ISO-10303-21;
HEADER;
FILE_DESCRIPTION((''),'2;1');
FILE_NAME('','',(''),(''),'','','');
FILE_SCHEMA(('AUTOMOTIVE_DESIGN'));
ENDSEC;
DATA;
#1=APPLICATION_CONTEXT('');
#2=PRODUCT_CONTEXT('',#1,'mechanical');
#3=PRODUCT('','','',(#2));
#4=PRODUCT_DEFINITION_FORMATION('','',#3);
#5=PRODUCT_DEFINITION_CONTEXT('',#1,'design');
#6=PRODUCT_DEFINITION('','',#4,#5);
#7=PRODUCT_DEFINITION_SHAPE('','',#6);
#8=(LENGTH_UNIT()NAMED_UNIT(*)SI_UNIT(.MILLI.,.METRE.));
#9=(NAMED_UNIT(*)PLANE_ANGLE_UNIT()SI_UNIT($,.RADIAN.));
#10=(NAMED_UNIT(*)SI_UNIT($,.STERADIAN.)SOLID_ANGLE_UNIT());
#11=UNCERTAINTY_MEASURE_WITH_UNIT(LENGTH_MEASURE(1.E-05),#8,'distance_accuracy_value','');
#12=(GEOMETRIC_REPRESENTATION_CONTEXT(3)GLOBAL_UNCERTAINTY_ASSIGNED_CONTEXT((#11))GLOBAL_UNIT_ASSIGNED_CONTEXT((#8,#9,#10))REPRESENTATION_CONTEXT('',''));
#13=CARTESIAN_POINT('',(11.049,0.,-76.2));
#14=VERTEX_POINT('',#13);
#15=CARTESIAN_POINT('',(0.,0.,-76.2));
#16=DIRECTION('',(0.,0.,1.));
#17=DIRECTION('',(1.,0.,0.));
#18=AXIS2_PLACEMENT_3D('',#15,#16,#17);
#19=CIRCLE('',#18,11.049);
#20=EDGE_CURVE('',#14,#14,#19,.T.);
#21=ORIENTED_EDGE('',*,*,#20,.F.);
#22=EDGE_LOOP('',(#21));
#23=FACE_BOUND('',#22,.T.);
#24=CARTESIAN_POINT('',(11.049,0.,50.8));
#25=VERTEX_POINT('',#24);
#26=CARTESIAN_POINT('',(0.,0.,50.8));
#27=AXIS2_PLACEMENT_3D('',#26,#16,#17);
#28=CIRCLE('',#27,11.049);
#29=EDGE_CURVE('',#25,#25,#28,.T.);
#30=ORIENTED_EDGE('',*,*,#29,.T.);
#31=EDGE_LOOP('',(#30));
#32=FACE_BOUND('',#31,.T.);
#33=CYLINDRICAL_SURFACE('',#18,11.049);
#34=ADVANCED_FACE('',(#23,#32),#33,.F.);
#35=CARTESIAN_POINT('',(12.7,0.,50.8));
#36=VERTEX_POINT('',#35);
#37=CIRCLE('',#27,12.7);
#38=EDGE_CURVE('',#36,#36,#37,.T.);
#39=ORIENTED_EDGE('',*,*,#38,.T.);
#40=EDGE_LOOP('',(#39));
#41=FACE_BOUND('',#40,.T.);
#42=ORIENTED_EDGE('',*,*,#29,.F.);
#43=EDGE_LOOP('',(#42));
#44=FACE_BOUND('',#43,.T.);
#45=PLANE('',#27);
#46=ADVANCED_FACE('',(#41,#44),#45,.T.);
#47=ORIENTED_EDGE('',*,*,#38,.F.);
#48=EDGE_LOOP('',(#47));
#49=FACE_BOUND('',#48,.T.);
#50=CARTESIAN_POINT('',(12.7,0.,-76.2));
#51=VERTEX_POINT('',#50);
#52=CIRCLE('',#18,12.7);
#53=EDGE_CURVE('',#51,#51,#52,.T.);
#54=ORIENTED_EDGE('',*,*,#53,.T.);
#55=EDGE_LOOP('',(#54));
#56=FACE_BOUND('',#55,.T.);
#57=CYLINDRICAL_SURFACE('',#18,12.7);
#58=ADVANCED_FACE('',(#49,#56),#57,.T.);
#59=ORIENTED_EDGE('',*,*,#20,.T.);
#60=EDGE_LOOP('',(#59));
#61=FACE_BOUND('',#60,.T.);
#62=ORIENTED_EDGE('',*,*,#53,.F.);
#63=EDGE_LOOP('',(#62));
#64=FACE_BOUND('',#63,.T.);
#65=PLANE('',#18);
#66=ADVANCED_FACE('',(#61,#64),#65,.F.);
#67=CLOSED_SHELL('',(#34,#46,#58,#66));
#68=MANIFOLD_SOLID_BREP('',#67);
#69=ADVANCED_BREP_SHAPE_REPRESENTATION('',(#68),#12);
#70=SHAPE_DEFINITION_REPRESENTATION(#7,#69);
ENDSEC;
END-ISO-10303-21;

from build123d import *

# Parameters (mm, degrees)
BOSS_EXTRUDE1_DEPTH      = 50.8
BOSS_EXTRUDE1_DEPTH_BACK = 76.2
SKETCH3_R                = 12.7
SKETCH3_R_2              = 11.049


with BuildPart() as part:
    # Sketch3 → Boss-Extrude1 (new, two sides: drawn at the far end of the back side and taken through both)
    with BuildSketch(Plane.XY.offset(-BOSS_EXTRUDE1_DEPTH_BACK)):
        Circle(SKETCH3_R)
        Circle(SKETCH3_R_2, mode=Mode.SUBTRACT)
    extrude(amount=BOSS_EXTRUDE1_DEPTH + BOSS_EXTRUDE1_DEPTH_BACK)


solid = part.part
